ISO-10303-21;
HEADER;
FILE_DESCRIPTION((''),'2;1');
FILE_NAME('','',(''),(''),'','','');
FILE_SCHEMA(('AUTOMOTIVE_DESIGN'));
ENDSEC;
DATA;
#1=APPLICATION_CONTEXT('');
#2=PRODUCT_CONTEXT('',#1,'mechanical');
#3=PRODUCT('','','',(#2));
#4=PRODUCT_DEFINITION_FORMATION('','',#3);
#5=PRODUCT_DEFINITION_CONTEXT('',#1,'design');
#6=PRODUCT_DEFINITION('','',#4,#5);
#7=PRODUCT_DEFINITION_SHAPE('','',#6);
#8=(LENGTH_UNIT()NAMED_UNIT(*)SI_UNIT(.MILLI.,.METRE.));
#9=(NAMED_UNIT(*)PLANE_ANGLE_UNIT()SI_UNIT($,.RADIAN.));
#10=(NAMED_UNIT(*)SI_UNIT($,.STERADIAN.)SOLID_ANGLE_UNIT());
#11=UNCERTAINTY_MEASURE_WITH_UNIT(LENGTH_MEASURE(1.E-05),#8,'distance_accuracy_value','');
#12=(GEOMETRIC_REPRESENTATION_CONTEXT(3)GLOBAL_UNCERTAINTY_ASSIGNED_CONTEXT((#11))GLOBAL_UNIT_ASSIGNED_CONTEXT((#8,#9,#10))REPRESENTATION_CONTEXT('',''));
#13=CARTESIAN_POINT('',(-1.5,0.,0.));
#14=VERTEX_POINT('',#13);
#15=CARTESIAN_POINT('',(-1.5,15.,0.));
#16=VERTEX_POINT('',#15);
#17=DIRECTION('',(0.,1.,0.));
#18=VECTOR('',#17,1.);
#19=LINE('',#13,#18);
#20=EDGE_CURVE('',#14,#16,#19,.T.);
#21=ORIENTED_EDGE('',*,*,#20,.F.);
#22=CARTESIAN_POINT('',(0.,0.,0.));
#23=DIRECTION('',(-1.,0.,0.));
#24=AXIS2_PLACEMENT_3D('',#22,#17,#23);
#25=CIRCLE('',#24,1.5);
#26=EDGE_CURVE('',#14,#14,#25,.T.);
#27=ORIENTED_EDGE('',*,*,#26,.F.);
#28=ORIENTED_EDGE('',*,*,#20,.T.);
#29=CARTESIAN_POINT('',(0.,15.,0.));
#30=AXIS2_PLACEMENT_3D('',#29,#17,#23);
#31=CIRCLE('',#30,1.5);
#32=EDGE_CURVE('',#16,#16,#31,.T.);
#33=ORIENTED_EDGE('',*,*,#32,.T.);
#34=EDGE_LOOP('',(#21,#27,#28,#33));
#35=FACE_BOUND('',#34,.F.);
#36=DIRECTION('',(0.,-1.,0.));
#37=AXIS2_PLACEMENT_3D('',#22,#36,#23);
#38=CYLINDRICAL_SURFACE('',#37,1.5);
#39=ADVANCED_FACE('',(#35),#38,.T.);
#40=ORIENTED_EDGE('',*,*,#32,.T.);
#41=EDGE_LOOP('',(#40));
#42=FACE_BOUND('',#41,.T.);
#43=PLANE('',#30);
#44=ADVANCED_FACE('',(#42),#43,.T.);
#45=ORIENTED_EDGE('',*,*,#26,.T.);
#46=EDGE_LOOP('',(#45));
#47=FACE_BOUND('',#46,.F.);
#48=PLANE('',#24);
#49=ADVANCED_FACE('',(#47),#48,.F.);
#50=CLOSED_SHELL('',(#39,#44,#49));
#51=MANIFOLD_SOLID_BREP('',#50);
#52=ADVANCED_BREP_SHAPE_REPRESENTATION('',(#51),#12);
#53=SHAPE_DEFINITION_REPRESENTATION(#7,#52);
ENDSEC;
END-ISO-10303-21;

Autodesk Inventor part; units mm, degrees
ref_plane "YZ Plane" through (0, 0, 0) normal (1, 0, 0) x (0, 1, 0)
ref_plane "XZ Plane" through (0, 0, 0) normal (0, 1, 0) x (-1, 0, 0)
ref_plane "XY Plane" through (0, 0, 0) normal (0, 0, 1) x (1, 0, 0)
sketch "Sketch1" plane through (0, 0, 0) normal (0, 1, 0) x (-1, 0, 0)
  circle A0 centre (0, 0) radius 1.5
  dimension "d0" = 3
extrude "Extrusion1" add sketch "Sketch1" along normal blind 15
properties part number "pin_3_14"
